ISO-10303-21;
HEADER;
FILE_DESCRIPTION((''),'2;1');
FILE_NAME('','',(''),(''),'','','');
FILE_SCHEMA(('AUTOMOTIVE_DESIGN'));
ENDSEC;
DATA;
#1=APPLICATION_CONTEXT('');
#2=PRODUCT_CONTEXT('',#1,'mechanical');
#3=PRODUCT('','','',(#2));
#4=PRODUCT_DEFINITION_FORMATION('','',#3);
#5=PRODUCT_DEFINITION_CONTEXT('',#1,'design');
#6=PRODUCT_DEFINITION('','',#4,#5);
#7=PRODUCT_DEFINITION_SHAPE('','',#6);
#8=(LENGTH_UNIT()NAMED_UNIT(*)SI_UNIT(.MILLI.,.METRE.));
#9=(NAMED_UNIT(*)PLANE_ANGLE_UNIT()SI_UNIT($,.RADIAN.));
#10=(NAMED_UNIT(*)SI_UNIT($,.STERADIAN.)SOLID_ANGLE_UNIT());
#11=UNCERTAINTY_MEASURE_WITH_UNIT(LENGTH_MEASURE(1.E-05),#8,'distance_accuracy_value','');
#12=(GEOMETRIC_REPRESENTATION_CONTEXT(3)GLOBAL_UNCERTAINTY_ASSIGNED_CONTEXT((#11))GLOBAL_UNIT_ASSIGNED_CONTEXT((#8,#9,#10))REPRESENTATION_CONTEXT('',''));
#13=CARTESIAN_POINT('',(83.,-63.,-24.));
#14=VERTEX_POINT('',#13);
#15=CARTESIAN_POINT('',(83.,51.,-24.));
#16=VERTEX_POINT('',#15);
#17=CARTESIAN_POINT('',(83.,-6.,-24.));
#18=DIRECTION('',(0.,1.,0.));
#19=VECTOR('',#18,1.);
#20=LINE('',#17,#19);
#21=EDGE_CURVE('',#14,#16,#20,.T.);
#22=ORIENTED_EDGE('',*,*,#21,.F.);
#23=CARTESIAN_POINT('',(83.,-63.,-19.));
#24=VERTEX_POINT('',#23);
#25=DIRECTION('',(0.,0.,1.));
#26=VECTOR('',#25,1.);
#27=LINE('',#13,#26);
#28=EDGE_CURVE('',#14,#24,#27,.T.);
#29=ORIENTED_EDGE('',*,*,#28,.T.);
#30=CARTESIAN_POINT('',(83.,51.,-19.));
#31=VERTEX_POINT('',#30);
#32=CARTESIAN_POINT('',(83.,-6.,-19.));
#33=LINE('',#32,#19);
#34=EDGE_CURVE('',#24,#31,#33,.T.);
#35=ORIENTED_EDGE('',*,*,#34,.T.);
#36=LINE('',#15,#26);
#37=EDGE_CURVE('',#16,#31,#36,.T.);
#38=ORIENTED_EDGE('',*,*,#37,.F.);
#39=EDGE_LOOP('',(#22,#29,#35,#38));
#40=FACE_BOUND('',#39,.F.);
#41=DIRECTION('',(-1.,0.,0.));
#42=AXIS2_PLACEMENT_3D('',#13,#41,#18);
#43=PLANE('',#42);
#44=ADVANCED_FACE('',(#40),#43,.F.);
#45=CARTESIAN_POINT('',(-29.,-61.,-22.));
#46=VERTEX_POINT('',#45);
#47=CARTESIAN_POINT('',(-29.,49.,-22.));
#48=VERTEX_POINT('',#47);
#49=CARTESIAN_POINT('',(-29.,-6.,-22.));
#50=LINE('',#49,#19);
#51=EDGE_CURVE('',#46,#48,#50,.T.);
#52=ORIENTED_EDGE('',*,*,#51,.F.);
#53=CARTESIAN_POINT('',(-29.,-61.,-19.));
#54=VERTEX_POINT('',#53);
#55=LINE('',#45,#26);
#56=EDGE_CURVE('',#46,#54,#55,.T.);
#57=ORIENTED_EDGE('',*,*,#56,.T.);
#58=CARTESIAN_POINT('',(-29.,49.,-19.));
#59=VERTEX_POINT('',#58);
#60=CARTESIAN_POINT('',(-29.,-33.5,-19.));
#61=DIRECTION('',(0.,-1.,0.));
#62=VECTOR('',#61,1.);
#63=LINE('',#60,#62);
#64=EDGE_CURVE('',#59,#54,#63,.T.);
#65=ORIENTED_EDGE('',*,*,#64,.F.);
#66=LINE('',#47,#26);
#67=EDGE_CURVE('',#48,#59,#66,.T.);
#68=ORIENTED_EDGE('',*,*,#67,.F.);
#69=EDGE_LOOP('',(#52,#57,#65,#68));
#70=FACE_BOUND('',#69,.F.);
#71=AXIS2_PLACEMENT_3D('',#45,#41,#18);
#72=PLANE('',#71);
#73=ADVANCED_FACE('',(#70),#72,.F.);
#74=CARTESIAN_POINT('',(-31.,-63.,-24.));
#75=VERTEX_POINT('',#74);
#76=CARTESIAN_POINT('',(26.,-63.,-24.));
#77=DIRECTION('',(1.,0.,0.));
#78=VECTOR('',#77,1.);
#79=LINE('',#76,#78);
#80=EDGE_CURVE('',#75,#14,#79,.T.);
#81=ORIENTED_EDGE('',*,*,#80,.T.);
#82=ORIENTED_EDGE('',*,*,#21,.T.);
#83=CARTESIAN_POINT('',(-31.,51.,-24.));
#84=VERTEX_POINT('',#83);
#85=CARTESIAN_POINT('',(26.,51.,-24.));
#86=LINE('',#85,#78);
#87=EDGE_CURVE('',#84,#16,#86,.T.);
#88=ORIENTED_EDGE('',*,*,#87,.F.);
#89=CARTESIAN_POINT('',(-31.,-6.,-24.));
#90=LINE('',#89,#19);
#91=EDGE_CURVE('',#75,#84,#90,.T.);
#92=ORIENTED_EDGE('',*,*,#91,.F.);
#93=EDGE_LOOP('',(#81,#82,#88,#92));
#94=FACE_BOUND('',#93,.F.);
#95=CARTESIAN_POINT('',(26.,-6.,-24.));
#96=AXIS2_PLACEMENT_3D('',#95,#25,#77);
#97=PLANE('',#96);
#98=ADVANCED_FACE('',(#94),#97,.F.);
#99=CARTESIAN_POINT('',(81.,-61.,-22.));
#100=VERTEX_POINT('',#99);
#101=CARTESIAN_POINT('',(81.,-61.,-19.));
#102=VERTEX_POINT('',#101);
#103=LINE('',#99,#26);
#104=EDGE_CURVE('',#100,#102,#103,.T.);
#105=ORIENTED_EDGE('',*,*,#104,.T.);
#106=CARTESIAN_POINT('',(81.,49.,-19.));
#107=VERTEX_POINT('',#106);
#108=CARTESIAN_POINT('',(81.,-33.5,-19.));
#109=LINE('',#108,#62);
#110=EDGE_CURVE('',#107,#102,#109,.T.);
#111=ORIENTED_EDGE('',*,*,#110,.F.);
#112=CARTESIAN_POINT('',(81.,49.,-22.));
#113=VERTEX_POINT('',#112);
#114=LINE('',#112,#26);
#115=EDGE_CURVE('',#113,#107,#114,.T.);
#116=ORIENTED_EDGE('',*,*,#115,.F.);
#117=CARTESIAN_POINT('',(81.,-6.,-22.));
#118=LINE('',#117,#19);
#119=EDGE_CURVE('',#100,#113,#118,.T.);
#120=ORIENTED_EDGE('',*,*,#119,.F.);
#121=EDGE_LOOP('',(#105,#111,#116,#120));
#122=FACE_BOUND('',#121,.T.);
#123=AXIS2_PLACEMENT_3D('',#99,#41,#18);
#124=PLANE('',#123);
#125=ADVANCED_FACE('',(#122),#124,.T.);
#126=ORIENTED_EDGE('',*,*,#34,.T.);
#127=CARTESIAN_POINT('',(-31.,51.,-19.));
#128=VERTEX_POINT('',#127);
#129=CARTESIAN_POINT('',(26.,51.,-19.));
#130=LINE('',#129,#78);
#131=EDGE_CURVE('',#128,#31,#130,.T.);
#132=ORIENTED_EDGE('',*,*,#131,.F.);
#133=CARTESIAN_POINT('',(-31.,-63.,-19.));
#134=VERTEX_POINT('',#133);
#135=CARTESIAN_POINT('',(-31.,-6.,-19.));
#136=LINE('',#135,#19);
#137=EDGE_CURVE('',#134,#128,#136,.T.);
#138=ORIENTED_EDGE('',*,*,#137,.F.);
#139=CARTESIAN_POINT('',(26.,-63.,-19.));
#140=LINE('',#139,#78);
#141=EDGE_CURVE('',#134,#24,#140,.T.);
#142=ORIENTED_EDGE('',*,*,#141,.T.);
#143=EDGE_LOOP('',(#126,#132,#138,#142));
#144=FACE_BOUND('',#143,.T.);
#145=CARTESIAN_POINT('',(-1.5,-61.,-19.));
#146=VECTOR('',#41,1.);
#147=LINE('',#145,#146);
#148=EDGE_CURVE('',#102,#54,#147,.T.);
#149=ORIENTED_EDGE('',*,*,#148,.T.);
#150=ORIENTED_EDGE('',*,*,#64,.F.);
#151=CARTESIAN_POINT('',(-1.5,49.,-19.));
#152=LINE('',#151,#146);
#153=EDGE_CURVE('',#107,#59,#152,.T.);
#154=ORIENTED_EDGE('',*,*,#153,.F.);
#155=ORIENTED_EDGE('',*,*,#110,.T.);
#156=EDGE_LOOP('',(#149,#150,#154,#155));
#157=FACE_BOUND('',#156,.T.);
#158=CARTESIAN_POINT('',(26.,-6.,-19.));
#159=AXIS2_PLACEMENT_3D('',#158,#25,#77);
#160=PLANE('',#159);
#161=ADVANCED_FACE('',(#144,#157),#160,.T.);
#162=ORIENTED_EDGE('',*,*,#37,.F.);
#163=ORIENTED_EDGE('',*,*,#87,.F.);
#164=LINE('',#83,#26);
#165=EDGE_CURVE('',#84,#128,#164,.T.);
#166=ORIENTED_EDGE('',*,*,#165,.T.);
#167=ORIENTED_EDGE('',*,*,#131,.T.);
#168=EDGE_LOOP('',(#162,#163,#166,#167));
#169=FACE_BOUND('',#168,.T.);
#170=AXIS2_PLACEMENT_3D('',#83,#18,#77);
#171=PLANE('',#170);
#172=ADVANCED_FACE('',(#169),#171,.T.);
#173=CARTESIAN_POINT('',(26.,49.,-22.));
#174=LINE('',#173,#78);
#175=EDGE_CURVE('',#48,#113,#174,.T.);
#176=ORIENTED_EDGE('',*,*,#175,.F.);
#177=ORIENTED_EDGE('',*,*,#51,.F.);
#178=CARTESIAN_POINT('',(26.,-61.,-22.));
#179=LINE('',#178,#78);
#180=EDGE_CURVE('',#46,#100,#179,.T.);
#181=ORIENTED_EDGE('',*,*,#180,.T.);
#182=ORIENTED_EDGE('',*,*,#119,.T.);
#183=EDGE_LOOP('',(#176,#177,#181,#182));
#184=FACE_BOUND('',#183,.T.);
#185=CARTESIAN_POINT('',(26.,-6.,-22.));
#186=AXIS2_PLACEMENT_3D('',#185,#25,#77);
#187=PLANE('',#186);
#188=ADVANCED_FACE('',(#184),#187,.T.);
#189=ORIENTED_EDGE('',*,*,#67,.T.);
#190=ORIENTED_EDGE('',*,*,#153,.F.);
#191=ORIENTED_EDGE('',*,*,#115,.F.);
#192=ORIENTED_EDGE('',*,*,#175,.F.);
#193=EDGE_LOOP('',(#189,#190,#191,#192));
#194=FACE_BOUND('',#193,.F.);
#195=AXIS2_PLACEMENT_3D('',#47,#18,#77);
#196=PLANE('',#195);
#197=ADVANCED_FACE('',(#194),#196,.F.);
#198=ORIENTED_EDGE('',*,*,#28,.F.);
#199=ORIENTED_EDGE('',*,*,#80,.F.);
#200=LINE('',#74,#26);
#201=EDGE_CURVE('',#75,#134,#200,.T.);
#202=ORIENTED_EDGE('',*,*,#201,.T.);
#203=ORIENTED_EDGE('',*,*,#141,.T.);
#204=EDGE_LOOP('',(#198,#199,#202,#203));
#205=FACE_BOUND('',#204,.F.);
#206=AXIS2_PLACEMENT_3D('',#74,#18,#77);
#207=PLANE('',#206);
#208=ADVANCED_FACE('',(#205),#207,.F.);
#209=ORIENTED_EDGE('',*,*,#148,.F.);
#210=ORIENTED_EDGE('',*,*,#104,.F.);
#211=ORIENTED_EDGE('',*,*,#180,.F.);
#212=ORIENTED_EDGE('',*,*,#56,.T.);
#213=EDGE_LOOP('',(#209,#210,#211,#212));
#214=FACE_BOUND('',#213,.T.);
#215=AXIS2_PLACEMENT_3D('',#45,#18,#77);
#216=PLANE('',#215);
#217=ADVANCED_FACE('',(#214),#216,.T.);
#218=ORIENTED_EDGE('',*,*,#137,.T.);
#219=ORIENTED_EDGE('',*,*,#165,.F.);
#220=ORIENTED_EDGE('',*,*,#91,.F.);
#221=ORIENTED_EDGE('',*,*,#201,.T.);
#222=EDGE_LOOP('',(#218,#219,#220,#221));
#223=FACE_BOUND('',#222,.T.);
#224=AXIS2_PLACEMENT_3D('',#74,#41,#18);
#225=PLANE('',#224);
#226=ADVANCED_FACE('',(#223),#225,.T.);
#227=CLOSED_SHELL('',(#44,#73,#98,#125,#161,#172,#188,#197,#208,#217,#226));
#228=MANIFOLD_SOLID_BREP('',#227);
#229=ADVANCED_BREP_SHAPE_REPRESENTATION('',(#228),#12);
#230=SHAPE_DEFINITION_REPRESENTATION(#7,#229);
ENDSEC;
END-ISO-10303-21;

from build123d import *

# Parameters (mm, degrees)
BOX_W        = 110
BOX_H        = 110
BOX_DEPTH    = 5
BOX002_W     = 114
BOX002_H     = 114
BOX002_DEPTH = 5


with BuildPart() as cubeinner:
    # Box → Box (new body)
    with BuildSketch(Plane(origin=(-29, -61, -22), x_dir=(1, 0, 0), z_dir=(0, 0, 1))):
        with Locations((55, 55)):
            Rectangle(BOX_W, BOX_H)
    extrude(amount=BOX_DEPTH)


with BuildPart() as cut:
    # Box002 → Box002 (new body)
    with BuildSketch(Plane(origin=(-31, -63, -24), x_dir=(1, 0, 0), z_dir=(0, 0, 1))):
        with Locations((57, 57)):
            Rectangle(BOX002_W, BOX002_H)
    extrude(amount=BOX002_DEPTH)

    # Cut: cut CubeInner
    add(cubeinner.part, mode=Mode.SUBTRACT)


solid = cut.part
